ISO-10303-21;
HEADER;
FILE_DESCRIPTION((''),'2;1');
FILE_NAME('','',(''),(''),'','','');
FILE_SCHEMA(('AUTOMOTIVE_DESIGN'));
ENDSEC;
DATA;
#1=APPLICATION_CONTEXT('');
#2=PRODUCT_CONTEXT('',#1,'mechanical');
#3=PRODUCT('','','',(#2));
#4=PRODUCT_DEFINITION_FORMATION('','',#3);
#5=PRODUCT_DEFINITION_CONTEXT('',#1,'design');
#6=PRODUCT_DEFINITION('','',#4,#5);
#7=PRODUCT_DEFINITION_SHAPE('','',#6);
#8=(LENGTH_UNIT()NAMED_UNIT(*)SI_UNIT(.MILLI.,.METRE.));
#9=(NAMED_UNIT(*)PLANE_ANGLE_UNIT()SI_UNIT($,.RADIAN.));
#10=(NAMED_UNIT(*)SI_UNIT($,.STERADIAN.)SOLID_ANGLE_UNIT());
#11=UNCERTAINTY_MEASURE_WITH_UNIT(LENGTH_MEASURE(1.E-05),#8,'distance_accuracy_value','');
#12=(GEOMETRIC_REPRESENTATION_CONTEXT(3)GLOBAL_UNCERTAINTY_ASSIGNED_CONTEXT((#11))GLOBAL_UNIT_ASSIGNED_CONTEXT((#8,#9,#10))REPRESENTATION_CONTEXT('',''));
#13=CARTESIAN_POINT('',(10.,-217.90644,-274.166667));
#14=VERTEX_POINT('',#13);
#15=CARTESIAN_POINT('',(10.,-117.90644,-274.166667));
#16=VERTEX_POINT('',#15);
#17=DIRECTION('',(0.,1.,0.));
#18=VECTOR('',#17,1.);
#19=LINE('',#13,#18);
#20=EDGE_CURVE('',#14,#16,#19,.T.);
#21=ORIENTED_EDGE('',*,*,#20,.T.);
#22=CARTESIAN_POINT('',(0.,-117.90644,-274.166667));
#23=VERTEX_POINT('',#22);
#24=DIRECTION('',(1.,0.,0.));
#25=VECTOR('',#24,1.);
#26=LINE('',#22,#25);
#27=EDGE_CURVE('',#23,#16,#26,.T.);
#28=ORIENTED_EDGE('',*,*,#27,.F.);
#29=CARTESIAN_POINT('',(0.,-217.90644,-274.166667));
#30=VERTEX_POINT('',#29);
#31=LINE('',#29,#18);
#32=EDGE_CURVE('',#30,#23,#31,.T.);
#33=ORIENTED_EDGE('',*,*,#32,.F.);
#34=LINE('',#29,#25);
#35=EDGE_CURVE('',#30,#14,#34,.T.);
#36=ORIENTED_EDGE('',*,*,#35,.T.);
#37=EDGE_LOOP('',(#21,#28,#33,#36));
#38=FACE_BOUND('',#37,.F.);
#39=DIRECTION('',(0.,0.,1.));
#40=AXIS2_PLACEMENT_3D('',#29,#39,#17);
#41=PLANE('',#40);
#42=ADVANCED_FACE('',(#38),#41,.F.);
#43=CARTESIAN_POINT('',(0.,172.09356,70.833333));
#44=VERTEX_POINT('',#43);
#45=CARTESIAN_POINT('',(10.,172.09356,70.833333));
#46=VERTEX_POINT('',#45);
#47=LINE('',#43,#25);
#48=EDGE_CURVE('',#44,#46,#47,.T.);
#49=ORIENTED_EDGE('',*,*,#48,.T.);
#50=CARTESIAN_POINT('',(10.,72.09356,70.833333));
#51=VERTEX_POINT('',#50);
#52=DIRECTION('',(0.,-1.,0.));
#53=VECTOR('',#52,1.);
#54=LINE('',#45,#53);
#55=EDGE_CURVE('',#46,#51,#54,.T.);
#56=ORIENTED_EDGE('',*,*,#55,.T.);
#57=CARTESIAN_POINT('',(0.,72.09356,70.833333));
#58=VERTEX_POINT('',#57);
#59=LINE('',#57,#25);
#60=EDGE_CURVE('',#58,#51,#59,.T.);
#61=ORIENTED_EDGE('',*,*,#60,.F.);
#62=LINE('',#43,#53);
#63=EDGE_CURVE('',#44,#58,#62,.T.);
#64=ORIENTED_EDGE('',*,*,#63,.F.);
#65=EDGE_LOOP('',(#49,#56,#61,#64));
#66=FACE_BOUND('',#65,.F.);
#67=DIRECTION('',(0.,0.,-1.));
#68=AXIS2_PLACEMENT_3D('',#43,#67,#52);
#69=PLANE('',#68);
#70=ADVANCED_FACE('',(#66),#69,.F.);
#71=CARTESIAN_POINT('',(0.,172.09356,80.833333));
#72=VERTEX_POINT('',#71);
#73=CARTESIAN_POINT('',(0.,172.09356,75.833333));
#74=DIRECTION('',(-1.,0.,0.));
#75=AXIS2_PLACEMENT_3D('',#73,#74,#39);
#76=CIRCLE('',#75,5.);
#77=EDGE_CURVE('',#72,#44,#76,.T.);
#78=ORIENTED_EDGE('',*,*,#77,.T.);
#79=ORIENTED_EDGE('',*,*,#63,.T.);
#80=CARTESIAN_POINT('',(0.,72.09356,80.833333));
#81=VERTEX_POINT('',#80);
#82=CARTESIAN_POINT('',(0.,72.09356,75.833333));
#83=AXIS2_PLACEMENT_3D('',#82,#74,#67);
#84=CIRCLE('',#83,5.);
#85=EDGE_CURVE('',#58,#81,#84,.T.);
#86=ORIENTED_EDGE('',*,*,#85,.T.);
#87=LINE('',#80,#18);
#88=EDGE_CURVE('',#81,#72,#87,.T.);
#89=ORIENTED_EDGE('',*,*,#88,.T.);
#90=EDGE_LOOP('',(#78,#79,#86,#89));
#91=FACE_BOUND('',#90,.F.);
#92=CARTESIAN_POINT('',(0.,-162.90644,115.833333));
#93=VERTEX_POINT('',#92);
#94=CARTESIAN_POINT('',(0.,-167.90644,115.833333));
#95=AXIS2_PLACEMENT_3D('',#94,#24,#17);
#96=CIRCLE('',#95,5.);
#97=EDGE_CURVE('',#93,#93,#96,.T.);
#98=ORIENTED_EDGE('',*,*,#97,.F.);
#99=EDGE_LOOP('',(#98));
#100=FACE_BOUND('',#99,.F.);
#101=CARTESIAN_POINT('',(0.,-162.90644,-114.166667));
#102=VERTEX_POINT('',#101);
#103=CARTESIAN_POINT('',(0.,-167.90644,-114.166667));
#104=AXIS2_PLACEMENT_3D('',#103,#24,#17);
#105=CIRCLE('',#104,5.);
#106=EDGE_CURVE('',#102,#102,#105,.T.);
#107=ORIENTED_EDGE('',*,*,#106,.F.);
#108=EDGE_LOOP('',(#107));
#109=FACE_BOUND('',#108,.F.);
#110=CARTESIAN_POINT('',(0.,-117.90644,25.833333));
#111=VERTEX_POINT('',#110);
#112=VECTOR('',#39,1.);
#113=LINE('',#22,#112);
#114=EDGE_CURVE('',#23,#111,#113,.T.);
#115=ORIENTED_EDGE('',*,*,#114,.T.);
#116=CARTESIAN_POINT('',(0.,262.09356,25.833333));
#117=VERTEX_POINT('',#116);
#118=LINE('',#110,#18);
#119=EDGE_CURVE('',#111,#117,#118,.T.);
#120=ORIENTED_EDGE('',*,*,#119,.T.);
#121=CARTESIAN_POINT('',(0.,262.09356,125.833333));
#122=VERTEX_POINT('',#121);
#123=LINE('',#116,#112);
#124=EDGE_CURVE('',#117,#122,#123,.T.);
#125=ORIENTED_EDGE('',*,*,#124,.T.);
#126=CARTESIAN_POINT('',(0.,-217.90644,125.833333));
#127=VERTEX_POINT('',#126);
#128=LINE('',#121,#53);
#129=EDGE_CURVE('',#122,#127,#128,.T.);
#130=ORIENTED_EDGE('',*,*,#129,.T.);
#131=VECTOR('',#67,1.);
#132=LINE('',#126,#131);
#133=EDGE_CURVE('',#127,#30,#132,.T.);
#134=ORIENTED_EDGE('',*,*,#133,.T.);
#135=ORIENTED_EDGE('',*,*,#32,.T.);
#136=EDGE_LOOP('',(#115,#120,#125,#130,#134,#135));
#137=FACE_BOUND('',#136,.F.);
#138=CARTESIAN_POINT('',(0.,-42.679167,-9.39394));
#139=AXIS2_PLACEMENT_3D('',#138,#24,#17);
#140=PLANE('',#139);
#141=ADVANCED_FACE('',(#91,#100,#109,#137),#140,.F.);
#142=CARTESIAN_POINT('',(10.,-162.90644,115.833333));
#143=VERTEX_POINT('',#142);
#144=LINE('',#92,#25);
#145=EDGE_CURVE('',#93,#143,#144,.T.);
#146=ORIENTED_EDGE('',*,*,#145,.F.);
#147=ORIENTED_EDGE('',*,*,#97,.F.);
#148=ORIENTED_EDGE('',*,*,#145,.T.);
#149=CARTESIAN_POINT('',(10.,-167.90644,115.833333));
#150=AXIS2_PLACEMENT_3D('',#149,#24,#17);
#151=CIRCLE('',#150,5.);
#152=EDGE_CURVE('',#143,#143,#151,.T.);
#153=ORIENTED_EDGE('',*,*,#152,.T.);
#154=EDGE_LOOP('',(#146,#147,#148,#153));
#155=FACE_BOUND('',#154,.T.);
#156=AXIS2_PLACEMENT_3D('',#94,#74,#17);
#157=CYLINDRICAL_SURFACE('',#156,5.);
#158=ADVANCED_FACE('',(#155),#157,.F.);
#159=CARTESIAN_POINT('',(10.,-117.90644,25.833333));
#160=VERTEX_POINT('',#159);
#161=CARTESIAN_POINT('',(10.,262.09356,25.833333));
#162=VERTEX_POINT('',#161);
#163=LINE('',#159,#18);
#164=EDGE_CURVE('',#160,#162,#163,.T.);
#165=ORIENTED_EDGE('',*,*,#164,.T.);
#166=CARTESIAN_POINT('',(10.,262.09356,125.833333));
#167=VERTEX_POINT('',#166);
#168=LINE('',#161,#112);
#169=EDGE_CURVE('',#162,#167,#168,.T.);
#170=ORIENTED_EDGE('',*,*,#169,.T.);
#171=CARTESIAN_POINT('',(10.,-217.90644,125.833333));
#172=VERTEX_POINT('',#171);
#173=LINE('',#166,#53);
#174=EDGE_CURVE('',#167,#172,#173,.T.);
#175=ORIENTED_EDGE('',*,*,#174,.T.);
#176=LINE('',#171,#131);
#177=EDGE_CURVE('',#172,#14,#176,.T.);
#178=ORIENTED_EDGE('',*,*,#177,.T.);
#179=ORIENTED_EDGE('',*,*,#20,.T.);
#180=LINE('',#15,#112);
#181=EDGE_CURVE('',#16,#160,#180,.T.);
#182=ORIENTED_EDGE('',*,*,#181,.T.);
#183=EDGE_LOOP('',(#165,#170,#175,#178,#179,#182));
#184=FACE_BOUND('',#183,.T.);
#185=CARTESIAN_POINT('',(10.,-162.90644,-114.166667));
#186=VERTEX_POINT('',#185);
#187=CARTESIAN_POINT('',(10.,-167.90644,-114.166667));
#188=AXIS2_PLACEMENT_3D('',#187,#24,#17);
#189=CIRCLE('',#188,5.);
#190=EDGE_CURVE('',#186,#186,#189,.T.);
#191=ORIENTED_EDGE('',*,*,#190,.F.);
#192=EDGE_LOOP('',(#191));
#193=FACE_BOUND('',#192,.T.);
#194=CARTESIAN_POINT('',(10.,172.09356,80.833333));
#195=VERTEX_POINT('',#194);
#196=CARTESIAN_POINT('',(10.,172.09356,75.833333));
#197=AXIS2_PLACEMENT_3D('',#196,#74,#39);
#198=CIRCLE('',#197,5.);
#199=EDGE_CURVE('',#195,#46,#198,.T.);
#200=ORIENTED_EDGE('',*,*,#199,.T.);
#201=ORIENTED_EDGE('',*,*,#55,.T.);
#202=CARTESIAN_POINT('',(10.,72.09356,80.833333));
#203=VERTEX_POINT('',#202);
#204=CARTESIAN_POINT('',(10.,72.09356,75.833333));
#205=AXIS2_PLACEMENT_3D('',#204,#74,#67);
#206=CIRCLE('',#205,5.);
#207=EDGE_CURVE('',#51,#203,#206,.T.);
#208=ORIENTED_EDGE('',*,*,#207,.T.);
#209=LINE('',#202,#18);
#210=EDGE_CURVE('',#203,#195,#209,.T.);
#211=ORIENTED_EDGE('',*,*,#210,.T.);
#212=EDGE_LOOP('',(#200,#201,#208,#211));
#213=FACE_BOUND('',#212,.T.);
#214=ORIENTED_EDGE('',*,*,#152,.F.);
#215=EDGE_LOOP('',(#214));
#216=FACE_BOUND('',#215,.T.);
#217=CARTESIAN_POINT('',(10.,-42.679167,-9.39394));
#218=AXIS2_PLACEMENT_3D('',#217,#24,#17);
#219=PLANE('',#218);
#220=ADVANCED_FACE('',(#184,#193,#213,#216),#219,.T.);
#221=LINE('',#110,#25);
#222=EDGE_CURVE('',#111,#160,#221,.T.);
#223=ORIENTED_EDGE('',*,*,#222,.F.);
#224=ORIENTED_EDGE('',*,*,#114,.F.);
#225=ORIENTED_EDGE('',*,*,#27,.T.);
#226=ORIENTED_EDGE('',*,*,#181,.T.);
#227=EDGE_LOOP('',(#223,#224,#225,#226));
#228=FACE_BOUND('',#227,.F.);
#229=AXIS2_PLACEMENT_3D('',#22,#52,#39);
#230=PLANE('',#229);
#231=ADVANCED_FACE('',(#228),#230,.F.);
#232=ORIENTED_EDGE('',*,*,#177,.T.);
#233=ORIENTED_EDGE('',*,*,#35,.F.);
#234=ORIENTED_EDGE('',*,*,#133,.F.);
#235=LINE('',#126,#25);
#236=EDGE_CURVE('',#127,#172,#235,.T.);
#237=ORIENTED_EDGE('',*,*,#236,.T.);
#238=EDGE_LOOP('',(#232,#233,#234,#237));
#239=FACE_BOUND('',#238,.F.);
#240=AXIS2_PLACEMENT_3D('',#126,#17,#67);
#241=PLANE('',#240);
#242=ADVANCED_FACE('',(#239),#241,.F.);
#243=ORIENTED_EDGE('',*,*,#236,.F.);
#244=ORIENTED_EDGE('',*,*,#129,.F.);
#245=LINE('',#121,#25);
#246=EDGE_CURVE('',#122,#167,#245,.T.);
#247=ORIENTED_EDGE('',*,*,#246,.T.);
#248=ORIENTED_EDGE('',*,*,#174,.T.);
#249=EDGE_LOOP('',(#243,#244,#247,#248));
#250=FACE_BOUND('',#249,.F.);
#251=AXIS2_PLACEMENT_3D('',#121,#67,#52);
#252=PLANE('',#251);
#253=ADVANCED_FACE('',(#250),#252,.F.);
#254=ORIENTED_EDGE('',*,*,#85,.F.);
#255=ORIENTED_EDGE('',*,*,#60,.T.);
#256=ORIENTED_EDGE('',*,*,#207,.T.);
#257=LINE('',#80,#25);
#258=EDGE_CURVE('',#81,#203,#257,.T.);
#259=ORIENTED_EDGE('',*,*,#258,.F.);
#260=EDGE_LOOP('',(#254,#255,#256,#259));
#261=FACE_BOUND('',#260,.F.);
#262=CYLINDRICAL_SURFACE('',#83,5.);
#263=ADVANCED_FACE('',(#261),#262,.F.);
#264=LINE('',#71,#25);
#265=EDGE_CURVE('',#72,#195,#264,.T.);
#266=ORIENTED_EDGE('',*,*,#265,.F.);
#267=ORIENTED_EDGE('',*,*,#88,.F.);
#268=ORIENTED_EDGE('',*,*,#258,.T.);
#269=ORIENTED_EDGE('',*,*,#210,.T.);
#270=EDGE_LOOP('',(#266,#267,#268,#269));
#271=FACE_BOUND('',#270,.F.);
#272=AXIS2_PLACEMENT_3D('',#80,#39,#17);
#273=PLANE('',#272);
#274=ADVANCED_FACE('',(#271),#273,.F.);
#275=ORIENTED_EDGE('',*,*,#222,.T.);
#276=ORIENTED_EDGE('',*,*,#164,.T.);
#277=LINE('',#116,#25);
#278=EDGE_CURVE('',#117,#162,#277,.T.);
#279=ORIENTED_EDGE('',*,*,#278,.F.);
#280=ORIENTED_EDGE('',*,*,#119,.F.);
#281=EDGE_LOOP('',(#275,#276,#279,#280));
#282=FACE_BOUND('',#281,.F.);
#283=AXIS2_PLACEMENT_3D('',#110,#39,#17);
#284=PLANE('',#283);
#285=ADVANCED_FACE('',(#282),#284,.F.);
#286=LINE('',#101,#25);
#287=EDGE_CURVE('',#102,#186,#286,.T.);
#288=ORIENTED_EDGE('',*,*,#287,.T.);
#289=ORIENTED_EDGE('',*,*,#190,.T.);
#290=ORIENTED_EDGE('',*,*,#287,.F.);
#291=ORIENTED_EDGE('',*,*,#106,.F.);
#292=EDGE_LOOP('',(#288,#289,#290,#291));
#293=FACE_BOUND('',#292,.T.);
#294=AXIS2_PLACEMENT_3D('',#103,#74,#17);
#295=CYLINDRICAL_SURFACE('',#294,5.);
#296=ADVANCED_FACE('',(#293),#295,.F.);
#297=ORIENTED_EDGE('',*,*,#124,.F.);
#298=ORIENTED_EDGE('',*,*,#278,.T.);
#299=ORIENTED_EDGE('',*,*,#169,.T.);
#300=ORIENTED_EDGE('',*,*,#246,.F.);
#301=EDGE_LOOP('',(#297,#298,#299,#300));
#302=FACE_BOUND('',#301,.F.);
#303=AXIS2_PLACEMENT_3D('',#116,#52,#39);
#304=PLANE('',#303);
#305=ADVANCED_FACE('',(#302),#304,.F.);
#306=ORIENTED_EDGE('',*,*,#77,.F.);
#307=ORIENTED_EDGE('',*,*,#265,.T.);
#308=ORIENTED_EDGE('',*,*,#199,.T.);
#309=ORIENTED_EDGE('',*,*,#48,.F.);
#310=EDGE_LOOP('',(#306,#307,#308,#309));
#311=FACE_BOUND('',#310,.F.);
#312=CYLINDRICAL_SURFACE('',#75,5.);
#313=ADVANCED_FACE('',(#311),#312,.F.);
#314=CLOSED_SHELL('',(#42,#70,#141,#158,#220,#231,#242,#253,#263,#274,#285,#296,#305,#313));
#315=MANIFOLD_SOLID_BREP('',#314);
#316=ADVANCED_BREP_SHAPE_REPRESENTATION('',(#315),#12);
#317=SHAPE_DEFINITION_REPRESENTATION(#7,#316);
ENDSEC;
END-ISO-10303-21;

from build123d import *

# Parameters (mm, degrees)
F0_R     = 5
F1_DEPTH = 10


with BuildPart() as f1:
    # F0 (on Right) → F1 (new body)
    with BuildSketch(Plane.YZ):
        Polygon((-217.90644, 125.833333), (-217.90644, -274.166667), (-117.90644, -274.166667), (-117.90644, 25.833333), (262.09356, 25.833333), (262.09356, 125.833333), align=None)
        with Locations((-167.90644, -114.166667)):
            Circle(F0_R, mode=Mode.SUBTRACT)
        with Locations((-167.90644, 115.833333)):
            Circle(F0_R, mode=Mode.SUBTRACT)
        with BuildLine():
            ThreePointArc((172.09356, 80.833333), (177.09356, 75.833333), (172.09356, 70.833333))
            Line((172.09356, 70.833333), (72.09356, 70.833333))
            ThreePointArc((72.09356, 70.833333), (67.09356, 75.833333), (72.09356, 80.833333))
            Line((72.09356, 80.833333), (172.09356, 80.833333))
        make_face(mode=Mode.SUBTRACT)
    extrude(amount=F1_DEPTH)


solid = f1.part
